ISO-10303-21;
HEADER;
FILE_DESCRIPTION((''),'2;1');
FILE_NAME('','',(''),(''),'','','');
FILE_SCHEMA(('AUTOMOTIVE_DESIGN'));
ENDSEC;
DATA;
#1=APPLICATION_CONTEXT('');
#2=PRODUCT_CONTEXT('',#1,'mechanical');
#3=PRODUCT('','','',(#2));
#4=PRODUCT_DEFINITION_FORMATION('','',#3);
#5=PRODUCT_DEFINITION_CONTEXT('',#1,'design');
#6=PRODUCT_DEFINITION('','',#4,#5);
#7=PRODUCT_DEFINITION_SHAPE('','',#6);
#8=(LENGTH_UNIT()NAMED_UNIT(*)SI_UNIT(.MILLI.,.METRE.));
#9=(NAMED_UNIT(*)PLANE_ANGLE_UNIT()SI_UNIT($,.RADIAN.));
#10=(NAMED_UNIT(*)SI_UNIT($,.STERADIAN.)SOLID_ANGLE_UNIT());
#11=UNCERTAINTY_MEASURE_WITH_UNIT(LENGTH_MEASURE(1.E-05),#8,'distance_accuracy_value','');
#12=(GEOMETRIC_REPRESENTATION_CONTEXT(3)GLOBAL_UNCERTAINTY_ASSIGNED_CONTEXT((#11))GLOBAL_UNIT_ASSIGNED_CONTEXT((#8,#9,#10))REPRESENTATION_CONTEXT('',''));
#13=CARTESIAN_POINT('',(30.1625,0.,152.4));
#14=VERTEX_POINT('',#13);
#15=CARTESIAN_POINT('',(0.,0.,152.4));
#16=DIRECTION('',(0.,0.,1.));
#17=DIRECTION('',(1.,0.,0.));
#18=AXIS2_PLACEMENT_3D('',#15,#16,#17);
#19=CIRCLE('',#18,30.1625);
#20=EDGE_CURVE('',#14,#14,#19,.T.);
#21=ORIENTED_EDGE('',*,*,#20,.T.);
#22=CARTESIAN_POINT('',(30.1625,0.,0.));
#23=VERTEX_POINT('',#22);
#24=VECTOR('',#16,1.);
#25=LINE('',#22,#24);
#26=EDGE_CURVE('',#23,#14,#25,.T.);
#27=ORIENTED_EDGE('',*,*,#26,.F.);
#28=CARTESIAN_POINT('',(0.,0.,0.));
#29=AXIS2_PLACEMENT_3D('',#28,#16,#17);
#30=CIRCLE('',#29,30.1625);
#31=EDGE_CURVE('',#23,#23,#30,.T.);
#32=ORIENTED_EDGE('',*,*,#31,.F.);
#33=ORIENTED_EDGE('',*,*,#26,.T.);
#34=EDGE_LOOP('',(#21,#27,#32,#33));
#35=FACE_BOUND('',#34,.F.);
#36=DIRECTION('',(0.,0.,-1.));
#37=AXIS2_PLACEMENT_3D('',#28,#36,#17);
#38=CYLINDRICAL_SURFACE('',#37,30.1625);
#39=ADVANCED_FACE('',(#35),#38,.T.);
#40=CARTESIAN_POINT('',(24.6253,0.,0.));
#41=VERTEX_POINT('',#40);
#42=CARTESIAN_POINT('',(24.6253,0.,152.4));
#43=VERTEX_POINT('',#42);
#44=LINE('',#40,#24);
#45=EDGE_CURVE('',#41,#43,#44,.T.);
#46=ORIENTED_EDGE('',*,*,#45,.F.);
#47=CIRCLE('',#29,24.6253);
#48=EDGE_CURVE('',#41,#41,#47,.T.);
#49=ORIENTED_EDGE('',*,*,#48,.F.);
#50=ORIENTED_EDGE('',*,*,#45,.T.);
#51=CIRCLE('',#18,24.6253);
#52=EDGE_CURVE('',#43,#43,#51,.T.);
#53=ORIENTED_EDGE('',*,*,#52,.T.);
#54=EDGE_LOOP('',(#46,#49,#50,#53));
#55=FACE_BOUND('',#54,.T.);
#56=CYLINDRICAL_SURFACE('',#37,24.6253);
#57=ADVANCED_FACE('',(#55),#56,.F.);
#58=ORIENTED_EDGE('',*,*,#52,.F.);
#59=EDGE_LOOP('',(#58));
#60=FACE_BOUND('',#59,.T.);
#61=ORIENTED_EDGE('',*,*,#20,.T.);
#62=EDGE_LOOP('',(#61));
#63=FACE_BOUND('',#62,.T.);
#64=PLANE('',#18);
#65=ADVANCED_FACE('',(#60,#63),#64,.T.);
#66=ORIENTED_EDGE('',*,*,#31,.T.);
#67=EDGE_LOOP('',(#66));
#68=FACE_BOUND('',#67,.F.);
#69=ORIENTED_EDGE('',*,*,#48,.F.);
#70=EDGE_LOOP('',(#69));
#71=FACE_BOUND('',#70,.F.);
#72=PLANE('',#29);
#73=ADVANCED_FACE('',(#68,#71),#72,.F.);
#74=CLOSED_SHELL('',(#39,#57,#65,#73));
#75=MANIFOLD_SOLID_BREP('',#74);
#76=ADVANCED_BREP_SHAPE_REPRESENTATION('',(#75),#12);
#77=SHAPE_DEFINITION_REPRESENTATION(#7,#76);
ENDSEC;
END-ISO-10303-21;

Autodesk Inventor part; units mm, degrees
ref_plane "YZ Plane" through (0, 0, 0) normal (1, 0, 0) x (0, 1, 0)
ref_plane "XZ Plane" through (0, 0, 0) normal (0, 1, 0) x (-1, 0, 0)
ref_plane "XY Plane" through (0, 0, 0) normal (0, 0, 1) x (1, 0, 0)
sketch "Sketch1" plane through (0, 0, 0) normal (0, 0, 1) x (1, 0, 0)
  circle A0 centre (0, 0) radius 30.1625
  circle A1 centre (0, 0) radius 24.6253
  dimension "d0" = 60.325
  dimension "d1" = 49.2506
extrude "Extrusion1" add sketch "Sketch1" along normal blind 152.4
properties part number "A1-18002-100-35 1.25in bar tube socket" material "PVC-Piping"
